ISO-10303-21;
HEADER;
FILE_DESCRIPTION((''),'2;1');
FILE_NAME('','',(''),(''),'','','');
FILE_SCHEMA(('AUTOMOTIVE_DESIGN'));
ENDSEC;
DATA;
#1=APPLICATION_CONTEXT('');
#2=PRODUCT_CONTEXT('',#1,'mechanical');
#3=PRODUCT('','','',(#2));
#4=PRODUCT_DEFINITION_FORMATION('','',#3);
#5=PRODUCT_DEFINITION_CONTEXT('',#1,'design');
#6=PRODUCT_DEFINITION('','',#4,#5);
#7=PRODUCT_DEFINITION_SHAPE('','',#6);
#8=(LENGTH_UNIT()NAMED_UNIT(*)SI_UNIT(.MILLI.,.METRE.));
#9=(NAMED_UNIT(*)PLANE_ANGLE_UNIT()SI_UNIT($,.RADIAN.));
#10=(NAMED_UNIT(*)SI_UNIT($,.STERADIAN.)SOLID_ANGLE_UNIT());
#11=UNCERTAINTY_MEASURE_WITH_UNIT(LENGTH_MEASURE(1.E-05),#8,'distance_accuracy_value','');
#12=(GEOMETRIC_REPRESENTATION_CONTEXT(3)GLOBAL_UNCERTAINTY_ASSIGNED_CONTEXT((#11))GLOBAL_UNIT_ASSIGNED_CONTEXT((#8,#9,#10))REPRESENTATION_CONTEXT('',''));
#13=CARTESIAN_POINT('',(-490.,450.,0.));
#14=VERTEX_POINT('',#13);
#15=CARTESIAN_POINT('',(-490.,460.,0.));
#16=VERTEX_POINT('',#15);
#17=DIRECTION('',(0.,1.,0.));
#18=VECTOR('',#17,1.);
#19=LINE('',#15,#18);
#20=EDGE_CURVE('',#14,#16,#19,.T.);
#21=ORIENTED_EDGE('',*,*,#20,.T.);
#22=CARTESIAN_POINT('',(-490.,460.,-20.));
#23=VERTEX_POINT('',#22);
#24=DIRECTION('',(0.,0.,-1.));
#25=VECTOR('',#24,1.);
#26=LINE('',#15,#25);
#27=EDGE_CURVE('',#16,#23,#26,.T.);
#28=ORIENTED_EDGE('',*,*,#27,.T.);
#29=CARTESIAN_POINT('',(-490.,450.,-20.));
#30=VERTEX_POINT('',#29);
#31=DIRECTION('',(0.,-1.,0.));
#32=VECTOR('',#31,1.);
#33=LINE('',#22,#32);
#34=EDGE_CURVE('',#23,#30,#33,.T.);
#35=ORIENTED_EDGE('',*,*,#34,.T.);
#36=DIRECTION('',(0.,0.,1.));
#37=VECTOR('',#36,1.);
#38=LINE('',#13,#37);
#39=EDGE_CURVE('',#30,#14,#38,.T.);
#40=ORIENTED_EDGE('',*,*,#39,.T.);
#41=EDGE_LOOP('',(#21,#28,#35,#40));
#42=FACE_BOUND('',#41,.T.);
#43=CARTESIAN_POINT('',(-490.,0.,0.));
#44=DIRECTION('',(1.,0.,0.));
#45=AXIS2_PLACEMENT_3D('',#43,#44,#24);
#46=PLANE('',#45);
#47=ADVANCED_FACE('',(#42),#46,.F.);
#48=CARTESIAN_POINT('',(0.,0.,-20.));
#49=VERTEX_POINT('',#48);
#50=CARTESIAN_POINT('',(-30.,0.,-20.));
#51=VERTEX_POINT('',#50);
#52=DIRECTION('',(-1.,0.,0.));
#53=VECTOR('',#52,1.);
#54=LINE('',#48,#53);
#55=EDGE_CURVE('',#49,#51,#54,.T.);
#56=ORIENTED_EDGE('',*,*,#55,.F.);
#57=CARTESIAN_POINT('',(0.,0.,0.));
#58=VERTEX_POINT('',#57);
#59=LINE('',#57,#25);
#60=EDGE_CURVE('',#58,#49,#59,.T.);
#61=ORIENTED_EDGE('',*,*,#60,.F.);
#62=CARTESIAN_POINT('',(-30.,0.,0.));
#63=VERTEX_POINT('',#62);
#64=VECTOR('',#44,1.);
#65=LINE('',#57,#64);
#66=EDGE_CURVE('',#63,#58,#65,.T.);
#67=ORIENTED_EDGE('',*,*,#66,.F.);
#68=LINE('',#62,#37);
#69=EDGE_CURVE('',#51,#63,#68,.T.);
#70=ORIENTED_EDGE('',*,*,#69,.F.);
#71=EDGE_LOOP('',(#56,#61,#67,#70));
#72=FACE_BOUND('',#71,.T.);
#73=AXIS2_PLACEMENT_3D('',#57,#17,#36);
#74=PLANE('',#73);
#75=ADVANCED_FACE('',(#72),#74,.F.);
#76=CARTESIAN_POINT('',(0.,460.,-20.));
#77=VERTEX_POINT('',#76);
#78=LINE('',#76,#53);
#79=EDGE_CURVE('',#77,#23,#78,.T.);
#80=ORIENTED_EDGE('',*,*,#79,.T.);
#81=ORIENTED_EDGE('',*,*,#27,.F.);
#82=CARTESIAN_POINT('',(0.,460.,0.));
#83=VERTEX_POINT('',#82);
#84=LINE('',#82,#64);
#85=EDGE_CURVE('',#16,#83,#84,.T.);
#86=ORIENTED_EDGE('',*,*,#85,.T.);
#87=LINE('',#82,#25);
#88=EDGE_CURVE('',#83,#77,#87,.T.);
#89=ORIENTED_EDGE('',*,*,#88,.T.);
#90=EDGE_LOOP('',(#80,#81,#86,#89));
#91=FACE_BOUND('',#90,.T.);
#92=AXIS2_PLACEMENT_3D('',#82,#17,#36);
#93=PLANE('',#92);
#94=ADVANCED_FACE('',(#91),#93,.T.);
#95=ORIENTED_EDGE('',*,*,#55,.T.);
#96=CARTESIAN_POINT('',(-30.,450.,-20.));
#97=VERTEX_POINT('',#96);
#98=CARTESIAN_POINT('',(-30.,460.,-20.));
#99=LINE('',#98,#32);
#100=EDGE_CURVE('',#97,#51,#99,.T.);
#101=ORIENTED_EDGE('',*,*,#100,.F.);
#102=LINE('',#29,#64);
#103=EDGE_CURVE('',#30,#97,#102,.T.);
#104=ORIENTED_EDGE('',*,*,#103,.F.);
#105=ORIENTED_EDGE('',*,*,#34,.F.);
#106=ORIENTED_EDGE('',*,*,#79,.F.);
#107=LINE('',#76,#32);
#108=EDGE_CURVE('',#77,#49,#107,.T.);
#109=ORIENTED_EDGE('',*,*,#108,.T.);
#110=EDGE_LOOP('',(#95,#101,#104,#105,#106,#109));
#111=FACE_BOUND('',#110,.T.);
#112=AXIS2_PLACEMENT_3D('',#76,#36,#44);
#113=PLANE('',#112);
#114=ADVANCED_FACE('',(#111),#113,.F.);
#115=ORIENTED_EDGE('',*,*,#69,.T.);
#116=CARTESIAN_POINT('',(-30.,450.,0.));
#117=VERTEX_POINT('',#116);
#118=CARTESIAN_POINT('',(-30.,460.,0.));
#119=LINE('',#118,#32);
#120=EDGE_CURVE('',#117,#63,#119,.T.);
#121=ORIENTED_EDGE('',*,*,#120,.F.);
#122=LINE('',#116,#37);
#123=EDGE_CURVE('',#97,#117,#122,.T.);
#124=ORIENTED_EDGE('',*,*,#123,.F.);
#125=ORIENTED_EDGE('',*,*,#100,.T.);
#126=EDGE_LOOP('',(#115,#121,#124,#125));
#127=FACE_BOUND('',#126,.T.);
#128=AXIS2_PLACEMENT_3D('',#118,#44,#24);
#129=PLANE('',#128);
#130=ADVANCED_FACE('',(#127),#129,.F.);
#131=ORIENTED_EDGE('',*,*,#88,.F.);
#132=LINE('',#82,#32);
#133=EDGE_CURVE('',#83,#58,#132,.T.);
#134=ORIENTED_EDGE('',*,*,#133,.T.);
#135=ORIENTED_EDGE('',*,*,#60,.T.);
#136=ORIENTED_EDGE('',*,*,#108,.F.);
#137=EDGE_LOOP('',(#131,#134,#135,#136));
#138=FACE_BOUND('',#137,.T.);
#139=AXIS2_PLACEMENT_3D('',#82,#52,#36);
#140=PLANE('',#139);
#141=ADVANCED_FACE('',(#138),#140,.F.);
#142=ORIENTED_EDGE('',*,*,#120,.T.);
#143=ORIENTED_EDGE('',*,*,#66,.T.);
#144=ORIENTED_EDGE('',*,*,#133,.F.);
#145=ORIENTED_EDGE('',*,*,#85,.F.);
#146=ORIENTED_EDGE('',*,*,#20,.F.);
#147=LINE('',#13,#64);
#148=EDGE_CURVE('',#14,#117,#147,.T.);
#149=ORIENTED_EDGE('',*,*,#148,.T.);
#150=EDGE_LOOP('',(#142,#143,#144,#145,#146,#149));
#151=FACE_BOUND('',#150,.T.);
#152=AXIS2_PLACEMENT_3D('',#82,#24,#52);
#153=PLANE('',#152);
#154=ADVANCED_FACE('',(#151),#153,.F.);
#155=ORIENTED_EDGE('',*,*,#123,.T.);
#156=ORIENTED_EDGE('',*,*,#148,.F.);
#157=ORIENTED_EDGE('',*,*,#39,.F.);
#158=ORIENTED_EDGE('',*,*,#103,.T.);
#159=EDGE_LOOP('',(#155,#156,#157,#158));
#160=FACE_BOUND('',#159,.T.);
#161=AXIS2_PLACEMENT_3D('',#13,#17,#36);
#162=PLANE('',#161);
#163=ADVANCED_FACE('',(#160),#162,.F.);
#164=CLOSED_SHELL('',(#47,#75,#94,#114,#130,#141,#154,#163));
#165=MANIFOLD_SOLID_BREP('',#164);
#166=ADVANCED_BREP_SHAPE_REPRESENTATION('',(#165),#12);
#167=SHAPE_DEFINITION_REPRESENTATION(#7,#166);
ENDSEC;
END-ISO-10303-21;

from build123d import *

# Parameters (mm, degrees)
SKETCH_1_W      = 30
SKETCH_1_H      = 20
EXTRUDE_1_DEPTH = 460
SKETCH_2_W      = 20
SKETCH_2_H      = 10
EXTRUDE_2_DEPTH = 460


with BuildPart() as part:
    # 草图1 → 凸台-拉伸1 (new body)
    with BuildSketch(Plane(origin=(0, 0, 0), x_dir=(1, 0, 0), z_dir=(0, 1, 0))):
        with Locations((-15, 10)):
            Rectangle(SKETCH_1_W, SKETCH_1_H)
    extrude(amount=EXTRUDE_1_DEPTH)

    # 草图2 → 凸台-拉伸2 (add)
    with BuildSketch(Plane.ZY.offset(30)):
        with Locations((-10, 455)):
            Rectangle(SKETCH_2_W, SKETCH_2_H)
    extrude(amount=EXTRUDE_2_DEPTH)


solid = part.part
